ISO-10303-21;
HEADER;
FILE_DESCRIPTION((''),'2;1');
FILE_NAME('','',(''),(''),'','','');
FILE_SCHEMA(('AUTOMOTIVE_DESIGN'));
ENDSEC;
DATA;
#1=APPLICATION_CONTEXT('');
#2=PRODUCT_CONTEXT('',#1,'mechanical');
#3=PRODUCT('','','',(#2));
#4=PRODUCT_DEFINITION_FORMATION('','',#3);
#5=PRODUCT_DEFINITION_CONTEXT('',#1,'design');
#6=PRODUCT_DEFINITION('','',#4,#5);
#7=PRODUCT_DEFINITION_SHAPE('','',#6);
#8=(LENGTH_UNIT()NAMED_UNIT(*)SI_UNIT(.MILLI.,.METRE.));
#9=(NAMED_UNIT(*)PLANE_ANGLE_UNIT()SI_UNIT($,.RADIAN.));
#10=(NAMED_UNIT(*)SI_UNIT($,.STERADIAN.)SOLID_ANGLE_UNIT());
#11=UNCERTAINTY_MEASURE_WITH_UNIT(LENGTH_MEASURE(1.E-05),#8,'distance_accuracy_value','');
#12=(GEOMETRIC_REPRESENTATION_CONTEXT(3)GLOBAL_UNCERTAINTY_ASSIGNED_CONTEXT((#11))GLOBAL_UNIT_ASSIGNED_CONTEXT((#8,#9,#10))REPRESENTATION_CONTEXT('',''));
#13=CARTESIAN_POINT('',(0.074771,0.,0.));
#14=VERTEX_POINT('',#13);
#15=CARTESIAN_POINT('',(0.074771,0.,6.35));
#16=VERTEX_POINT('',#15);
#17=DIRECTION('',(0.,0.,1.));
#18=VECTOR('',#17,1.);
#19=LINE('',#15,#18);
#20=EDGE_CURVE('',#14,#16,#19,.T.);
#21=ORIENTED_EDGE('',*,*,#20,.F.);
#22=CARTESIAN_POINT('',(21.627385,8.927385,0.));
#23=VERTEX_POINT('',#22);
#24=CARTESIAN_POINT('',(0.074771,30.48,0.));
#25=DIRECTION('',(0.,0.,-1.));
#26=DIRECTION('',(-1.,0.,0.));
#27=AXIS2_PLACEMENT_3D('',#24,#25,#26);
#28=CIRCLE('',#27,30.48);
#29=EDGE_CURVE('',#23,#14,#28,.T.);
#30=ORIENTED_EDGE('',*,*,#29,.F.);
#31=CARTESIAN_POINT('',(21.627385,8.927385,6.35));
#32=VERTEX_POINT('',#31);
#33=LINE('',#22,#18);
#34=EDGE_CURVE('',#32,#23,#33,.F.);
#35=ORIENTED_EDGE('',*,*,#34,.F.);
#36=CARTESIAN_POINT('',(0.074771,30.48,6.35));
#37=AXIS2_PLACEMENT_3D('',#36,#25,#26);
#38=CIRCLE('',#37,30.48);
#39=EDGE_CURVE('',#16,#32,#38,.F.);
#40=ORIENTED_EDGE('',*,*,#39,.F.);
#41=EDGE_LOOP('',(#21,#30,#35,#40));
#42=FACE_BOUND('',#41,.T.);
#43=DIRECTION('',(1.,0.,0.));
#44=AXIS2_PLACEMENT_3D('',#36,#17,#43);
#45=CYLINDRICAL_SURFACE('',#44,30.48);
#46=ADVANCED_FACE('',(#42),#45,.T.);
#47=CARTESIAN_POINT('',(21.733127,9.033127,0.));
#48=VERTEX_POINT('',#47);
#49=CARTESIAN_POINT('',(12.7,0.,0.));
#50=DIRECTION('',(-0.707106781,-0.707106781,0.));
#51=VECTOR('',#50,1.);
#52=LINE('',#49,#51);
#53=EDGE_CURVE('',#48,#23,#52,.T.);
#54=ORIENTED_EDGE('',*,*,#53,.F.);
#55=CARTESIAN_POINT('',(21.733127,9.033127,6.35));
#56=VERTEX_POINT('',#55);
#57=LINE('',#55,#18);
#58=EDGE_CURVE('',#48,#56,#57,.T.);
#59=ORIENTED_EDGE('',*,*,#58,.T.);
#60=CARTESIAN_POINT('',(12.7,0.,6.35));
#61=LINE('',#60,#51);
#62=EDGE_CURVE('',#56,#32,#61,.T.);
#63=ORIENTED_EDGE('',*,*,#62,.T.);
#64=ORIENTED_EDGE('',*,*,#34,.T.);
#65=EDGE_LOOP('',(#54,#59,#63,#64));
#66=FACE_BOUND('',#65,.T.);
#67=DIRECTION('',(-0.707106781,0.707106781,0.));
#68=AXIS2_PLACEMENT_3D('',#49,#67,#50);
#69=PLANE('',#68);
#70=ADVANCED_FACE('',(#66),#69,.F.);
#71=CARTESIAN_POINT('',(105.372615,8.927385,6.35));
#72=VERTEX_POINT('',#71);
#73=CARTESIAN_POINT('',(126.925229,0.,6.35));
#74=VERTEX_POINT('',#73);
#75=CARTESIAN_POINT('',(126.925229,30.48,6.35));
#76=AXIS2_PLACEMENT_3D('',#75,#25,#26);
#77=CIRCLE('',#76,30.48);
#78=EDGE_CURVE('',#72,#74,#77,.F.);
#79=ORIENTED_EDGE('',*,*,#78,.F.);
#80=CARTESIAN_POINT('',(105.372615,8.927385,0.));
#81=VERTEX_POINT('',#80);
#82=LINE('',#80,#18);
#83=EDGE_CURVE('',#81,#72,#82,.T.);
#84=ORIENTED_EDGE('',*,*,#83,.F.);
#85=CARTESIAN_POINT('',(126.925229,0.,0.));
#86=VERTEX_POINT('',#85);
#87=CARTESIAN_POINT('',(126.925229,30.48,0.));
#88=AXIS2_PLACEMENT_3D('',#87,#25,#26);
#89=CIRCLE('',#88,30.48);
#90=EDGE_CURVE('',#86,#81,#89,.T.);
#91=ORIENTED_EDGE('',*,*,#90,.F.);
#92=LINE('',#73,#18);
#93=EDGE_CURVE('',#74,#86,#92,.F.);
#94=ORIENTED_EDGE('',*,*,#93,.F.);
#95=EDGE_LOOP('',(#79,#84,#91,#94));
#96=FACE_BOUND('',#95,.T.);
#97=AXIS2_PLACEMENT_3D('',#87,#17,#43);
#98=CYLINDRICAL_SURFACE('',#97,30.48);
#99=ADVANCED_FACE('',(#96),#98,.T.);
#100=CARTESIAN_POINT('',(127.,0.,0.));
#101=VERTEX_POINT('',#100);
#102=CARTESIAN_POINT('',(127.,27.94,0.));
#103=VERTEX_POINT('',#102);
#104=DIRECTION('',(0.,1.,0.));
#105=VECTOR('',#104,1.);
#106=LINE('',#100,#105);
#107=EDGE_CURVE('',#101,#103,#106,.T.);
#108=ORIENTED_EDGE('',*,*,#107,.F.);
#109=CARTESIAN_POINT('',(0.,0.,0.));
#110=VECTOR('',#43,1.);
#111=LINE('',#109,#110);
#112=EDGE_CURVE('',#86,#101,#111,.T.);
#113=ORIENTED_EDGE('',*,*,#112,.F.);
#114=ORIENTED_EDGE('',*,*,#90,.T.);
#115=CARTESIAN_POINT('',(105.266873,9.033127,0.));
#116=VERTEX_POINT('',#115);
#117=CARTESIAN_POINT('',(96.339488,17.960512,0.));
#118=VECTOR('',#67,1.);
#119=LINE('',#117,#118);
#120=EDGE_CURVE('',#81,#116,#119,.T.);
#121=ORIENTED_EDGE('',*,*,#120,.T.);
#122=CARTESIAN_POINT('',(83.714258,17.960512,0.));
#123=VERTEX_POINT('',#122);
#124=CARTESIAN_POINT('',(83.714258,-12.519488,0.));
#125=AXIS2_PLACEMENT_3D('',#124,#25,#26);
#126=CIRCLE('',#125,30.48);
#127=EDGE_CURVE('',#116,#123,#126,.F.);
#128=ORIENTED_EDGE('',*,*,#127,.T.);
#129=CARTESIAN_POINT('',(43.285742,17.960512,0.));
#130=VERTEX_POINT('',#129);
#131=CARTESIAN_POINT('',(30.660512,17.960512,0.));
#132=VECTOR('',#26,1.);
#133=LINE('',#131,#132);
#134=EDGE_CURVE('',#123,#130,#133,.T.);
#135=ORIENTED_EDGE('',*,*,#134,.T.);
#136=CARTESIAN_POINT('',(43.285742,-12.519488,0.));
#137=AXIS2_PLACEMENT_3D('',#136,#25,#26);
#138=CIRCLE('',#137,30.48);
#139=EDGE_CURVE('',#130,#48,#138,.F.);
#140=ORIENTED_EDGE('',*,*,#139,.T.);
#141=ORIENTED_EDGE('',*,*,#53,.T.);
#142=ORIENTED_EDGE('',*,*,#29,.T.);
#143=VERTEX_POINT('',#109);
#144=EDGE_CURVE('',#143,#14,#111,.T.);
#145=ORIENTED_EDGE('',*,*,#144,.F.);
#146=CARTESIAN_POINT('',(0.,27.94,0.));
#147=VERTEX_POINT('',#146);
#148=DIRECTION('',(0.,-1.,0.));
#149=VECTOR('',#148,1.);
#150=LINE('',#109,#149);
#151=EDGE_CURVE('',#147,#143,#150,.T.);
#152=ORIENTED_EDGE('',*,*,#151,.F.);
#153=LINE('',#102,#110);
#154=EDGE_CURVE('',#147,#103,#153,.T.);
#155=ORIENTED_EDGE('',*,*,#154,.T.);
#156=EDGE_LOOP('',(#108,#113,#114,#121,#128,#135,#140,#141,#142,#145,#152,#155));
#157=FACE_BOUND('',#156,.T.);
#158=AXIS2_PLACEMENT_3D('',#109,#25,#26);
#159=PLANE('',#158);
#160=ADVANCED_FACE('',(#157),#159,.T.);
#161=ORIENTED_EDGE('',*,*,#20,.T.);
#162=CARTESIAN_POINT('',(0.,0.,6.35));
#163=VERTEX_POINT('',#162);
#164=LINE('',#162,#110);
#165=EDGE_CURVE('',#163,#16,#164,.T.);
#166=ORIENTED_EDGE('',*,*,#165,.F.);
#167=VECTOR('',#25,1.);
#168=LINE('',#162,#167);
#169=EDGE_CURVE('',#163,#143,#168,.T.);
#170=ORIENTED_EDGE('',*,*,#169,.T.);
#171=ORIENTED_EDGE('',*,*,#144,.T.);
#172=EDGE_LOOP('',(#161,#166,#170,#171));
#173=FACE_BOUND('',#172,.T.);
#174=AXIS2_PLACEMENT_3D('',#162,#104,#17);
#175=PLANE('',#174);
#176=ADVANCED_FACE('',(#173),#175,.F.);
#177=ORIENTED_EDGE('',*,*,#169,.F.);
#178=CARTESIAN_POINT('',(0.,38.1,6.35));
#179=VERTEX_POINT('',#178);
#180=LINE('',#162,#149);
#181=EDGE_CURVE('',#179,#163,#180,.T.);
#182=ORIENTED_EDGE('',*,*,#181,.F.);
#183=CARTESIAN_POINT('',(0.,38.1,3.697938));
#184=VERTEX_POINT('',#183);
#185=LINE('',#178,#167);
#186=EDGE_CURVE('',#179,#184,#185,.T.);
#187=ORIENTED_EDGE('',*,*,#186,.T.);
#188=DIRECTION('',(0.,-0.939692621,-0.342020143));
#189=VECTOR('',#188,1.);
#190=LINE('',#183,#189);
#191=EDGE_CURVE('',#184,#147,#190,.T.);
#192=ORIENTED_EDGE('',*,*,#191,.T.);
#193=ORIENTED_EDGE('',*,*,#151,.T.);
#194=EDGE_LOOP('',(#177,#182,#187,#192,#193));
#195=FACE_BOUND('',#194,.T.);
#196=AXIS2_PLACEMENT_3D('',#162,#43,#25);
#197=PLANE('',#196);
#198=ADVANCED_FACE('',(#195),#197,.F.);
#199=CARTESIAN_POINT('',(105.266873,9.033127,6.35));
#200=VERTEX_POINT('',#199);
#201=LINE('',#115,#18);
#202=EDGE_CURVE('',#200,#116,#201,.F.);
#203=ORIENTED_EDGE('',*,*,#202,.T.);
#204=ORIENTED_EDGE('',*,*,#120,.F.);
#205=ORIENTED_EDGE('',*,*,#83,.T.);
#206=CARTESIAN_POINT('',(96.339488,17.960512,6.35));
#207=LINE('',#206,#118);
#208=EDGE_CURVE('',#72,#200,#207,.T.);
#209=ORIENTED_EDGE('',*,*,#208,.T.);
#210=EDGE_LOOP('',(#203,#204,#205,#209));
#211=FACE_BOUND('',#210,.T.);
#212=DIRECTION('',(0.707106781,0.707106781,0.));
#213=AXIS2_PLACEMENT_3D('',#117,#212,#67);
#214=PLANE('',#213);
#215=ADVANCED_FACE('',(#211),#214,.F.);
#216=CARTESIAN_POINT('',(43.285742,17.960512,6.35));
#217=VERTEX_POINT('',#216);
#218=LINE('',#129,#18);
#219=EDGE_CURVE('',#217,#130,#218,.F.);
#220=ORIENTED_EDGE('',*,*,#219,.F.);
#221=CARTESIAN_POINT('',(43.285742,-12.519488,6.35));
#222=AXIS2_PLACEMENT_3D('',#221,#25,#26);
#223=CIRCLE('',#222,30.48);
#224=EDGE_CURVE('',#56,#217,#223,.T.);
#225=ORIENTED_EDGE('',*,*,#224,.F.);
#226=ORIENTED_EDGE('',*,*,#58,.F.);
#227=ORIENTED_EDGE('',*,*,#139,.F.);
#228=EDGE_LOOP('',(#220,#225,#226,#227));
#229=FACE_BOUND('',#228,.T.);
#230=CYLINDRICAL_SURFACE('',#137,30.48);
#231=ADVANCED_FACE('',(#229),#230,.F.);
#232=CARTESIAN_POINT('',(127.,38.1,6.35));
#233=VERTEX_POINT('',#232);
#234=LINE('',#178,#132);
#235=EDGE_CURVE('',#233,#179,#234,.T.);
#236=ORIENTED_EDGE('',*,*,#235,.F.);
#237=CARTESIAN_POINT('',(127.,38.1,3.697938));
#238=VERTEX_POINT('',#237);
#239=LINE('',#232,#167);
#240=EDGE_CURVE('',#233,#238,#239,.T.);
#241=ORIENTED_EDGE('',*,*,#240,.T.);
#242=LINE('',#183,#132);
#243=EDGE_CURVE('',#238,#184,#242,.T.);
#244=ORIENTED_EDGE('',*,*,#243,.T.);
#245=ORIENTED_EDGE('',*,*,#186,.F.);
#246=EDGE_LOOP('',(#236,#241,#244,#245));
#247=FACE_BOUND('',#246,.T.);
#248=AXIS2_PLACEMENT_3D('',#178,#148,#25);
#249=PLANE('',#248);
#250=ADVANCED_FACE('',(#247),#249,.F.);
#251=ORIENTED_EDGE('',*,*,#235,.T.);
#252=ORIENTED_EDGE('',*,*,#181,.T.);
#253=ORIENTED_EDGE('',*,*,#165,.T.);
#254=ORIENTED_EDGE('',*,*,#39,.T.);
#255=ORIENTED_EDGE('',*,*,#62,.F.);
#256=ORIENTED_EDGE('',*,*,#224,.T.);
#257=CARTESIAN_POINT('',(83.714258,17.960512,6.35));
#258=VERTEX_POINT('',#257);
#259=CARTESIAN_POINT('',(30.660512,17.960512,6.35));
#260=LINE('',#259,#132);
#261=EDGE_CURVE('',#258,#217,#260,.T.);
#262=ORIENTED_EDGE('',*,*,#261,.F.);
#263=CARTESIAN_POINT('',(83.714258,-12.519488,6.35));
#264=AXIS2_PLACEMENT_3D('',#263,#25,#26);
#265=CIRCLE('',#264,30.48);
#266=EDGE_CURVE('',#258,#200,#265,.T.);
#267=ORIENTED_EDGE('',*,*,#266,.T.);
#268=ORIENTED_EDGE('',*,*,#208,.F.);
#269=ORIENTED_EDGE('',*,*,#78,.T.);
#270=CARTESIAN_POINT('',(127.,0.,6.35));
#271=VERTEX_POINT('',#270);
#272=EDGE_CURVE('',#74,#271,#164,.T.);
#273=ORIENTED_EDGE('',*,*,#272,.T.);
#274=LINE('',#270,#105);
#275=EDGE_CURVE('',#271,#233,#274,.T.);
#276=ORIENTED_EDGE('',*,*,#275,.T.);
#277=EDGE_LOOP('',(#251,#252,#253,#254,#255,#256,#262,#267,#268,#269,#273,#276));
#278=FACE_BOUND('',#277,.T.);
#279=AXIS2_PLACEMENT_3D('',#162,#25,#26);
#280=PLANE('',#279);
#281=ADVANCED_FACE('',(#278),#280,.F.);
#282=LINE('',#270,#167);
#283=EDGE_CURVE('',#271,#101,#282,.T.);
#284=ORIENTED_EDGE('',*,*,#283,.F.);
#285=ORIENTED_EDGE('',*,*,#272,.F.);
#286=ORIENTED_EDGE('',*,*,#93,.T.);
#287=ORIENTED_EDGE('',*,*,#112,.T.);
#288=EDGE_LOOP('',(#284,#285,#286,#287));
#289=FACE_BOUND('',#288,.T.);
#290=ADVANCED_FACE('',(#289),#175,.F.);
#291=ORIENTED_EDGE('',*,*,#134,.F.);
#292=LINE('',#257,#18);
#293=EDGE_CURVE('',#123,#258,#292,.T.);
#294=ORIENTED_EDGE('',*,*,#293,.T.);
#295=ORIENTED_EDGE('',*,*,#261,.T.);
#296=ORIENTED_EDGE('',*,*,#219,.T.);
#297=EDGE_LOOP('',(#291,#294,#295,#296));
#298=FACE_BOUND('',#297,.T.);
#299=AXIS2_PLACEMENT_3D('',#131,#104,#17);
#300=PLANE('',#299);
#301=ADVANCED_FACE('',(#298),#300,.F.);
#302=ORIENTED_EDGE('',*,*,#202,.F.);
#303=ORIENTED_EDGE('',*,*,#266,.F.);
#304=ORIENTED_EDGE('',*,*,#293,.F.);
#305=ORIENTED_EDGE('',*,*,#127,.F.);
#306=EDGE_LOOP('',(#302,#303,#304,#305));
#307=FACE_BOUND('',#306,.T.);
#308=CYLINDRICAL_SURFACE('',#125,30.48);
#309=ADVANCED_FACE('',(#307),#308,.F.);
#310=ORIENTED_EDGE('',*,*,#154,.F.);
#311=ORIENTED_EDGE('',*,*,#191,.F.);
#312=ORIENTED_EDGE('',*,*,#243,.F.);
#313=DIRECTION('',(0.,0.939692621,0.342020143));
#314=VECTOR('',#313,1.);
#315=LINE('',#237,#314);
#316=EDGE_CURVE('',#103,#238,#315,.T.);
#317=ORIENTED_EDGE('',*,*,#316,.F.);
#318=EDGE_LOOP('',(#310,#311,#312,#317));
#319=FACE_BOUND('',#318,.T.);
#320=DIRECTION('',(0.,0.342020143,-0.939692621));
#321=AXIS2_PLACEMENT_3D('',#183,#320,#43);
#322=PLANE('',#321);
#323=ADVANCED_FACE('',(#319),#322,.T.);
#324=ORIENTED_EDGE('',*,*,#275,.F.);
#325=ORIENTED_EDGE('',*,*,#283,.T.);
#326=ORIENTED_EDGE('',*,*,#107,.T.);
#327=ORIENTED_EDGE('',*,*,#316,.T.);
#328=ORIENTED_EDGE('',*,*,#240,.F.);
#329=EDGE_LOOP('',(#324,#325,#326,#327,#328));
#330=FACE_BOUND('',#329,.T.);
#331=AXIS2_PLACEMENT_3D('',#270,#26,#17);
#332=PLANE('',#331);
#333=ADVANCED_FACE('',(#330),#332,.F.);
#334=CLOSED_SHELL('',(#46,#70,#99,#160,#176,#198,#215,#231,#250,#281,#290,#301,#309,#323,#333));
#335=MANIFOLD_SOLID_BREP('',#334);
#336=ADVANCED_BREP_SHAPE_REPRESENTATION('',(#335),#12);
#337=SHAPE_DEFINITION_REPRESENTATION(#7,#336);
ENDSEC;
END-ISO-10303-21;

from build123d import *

# Parameters (mm, degrees)
SKETCH1_W           = 127
SKETCH1_H           = 38.1
BOSS_EXTRUDE1_DEPTH = 6.35
CUT_EXTRUDE1_DEPTH  = 6.35
FILLET1_R           = 30.48
CHAMFER1_SIZE       = 10.16
CHAMFER1_SIZE2      = 3.69793758


with BuildPart() as part:
    # Sketch1 → Boss-Extrude1 (new body)
    with BuildSketch(Plane.XY):
        with Locations((63.5, 19.05)):
            Rectangle(SKETCH1_W, SKETCH1_H)
    extrude(amount=BOSS_EXTRUDE1_DEPTH)

    # Sketch2 → Cut-Extrude1 (cut)
    with BuildSketch(Plane.XY.offset(6.35)):
        Polygon((12.7, 0), (30.660512242, 17.960512242), (96.339487758, 17.960512242), (114.3, 0), align=None)
    extrude(amount=-CUT_EXTRUDE1_DEPTH, mode=Mode.SUBTRACT)

    # Fillet1
    fillet1_edges = [part.edges().sort_by_distance(p)[0] for p in [
        (114.3, 0, 3.175),
        (12.7, 0, 3.175),
        (30.660512242, 17.960512242, 3.175),
        (96.339487758, 17.960512242, 3.175),
    ]]
    fillet(fillet1_edges, radius=FILLET1_R)

    # Chamfer1
    chamfer1_edges = [part.edges().sort_by_distance(p)[0] for p in [
        (63.5, 38.1, 0),
    ]]
    chamfer1_side = [part.faces().sort_by_distance(p)[0] for p in [
        (63.5, 24.04441534, 0),
    ]]
    chamfer(chamfer1_edges, length=CHAMFER1_SIZE, length2=CHAMFER1_SIZE2, reference=chamfer1_side[0])


solid = part.part
